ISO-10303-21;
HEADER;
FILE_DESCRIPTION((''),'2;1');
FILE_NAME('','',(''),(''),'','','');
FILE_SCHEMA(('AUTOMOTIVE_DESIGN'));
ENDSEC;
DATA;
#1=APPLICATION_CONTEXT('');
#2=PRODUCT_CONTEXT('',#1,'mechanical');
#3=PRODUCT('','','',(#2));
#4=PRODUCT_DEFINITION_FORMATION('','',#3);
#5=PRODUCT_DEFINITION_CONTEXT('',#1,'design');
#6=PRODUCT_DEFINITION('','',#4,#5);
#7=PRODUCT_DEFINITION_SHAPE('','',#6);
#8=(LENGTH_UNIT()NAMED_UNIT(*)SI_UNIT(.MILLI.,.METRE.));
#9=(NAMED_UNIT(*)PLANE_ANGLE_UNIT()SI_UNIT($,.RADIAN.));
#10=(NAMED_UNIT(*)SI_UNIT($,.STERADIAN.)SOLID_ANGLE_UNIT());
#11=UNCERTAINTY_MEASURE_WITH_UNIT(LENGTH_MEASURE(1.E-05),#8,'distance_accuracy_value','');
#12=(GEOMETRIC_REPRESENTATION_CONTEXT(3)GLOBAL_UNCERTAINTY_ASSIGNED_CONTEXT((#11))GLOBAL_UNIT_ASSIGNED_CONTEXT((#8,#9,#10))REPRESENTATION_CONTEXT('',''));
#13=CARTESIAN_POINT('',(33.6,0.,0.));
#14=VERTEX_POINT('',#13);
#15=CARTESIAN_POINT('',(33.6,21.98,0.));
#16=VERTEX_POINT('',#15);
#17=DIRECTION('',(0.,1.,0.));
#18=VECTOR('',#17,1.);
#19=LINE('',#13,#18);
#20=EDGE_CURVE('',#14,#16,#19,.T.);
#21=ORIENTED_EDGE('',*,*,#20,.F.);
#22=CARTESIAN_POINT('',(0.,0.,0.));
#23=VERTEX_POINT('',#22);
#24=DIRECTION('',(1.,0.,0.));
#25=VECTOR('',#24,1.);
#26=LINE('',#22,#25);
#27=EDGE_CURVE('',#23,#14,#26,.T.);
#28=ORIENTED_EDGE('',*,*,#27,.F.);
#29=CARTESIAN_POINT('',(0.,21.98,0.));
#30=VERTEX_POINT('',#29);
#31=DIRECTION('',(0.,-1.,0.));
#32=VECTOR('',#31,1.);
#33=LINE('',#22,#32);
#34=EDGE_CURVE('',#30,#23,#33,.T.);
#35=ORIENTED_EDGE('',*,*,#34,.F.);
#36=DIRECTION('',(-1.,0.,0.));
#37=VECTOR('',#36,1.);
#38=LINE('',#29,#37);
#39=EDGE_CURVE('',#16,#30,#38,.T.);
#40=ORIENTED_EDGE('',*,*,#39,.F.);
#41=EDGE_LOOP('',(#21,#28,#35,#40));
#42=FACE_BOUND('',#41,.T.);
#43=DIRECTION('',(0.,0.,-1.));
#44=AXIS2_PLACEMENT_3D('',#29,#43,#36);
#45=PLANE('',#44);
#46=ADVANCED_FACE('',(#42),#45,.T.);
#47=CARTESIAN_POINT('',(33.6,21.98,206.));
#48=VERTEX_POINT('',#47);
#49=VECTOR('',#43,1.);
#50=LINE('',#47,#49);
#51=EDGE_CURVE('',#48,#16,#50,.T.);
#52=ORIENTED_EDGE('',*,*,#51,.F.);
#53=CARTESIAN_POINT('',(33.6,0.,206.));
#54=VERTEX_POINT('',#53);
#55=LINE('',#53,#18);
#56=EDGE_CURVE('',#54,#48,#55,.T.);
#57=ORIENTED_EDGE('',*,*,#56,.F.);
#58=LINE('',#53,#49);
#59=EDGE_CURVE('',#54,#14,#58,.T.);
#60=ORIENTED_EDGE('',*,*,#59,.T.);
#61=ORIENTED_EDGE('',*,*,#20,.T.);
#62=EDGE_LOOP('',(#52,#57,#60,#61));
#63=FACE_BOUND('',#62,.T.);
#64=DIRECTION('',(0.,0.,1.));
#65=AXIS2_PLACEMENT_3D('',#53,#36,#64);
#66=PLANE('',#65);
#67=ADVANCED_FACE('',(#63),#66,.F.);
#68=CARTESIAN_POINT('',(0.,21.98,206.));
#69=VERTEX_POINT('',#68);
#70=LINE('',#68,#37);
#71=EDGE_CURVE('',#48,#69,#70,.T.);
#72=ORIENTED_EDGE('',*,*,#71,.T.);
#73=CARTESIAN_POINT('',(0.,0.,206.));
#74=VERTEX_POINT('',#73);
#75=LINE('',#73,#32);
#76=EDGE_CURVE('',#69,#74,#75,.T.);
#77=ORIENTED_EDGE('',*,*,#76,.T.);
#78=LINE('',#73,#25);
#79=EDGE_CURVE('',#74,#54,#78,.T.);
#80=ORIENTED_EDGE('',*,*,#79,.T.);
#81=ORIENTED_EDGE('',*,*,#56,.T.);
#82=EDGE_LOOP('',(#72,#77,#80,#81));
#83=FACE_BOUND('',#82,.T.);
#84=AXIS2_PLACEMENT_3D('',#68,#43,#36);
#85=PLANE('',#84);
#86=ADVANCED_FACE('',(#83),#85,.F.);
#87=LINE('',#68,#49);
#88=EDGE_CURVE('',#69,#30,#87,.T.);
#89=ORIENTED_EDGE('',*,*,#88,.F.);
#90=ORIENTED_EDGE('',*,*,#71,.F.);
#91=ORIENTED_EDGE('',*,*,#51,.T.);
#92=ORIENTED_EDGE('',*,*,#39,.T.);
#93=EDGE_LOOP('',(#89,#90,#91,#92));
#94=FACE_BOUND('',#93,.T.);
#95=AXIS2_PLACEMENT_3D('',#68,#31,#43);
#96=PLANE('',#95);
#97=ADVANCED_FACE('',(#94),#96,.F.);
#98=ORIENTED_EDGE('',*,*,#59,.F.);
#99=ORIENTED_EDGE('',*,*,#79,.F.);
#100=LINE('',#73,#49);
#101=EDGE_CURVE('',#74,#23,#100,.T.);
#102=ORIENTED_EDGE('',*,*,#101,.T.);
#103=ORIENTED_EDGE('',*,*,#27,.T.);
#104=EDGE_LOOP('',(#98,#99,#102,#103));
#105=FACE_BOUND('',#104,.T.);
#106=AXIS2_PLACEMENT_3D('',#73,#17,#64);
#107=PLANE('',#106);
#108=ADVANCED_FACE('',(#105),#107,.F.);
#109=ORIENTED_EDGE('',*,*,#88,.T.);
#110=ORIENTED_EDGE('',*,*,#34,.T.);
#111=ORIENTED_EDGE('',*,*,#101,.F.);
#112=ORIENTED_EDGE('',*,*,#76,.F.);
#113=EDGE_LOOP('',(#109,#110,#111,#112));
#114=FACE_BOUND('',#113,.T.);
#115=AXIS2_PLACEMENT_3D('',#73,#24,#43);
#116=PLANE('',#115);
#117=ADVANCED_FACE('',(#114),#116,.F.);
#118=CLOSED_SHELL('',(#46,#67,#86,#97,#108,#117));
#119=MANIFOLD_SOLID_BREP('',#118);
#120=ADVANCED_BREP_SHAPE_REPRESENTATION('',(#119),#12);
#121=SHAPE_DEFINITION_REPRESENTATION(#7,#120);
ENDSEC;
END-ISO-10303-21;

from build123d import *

# Parameters (mm, degrees)
ESQUISSE1_W        = 33.6
ESQUISSE1_H        = 21.98
BOSS_EXTRU_1_DEPTH = 206


with BuildPart() as part:
    # Esquisse1 → Boss.-Extru.1 (new body)
    with BuildSketch(Plane.XY):
        with Locations((16.8, 10.99)):
            Rectangle(ESQUISSE1_W, ESQUISSE1_H)
    extrude(amount=BOSS_EXTRU_1_DEPTH)


solid = part.part
